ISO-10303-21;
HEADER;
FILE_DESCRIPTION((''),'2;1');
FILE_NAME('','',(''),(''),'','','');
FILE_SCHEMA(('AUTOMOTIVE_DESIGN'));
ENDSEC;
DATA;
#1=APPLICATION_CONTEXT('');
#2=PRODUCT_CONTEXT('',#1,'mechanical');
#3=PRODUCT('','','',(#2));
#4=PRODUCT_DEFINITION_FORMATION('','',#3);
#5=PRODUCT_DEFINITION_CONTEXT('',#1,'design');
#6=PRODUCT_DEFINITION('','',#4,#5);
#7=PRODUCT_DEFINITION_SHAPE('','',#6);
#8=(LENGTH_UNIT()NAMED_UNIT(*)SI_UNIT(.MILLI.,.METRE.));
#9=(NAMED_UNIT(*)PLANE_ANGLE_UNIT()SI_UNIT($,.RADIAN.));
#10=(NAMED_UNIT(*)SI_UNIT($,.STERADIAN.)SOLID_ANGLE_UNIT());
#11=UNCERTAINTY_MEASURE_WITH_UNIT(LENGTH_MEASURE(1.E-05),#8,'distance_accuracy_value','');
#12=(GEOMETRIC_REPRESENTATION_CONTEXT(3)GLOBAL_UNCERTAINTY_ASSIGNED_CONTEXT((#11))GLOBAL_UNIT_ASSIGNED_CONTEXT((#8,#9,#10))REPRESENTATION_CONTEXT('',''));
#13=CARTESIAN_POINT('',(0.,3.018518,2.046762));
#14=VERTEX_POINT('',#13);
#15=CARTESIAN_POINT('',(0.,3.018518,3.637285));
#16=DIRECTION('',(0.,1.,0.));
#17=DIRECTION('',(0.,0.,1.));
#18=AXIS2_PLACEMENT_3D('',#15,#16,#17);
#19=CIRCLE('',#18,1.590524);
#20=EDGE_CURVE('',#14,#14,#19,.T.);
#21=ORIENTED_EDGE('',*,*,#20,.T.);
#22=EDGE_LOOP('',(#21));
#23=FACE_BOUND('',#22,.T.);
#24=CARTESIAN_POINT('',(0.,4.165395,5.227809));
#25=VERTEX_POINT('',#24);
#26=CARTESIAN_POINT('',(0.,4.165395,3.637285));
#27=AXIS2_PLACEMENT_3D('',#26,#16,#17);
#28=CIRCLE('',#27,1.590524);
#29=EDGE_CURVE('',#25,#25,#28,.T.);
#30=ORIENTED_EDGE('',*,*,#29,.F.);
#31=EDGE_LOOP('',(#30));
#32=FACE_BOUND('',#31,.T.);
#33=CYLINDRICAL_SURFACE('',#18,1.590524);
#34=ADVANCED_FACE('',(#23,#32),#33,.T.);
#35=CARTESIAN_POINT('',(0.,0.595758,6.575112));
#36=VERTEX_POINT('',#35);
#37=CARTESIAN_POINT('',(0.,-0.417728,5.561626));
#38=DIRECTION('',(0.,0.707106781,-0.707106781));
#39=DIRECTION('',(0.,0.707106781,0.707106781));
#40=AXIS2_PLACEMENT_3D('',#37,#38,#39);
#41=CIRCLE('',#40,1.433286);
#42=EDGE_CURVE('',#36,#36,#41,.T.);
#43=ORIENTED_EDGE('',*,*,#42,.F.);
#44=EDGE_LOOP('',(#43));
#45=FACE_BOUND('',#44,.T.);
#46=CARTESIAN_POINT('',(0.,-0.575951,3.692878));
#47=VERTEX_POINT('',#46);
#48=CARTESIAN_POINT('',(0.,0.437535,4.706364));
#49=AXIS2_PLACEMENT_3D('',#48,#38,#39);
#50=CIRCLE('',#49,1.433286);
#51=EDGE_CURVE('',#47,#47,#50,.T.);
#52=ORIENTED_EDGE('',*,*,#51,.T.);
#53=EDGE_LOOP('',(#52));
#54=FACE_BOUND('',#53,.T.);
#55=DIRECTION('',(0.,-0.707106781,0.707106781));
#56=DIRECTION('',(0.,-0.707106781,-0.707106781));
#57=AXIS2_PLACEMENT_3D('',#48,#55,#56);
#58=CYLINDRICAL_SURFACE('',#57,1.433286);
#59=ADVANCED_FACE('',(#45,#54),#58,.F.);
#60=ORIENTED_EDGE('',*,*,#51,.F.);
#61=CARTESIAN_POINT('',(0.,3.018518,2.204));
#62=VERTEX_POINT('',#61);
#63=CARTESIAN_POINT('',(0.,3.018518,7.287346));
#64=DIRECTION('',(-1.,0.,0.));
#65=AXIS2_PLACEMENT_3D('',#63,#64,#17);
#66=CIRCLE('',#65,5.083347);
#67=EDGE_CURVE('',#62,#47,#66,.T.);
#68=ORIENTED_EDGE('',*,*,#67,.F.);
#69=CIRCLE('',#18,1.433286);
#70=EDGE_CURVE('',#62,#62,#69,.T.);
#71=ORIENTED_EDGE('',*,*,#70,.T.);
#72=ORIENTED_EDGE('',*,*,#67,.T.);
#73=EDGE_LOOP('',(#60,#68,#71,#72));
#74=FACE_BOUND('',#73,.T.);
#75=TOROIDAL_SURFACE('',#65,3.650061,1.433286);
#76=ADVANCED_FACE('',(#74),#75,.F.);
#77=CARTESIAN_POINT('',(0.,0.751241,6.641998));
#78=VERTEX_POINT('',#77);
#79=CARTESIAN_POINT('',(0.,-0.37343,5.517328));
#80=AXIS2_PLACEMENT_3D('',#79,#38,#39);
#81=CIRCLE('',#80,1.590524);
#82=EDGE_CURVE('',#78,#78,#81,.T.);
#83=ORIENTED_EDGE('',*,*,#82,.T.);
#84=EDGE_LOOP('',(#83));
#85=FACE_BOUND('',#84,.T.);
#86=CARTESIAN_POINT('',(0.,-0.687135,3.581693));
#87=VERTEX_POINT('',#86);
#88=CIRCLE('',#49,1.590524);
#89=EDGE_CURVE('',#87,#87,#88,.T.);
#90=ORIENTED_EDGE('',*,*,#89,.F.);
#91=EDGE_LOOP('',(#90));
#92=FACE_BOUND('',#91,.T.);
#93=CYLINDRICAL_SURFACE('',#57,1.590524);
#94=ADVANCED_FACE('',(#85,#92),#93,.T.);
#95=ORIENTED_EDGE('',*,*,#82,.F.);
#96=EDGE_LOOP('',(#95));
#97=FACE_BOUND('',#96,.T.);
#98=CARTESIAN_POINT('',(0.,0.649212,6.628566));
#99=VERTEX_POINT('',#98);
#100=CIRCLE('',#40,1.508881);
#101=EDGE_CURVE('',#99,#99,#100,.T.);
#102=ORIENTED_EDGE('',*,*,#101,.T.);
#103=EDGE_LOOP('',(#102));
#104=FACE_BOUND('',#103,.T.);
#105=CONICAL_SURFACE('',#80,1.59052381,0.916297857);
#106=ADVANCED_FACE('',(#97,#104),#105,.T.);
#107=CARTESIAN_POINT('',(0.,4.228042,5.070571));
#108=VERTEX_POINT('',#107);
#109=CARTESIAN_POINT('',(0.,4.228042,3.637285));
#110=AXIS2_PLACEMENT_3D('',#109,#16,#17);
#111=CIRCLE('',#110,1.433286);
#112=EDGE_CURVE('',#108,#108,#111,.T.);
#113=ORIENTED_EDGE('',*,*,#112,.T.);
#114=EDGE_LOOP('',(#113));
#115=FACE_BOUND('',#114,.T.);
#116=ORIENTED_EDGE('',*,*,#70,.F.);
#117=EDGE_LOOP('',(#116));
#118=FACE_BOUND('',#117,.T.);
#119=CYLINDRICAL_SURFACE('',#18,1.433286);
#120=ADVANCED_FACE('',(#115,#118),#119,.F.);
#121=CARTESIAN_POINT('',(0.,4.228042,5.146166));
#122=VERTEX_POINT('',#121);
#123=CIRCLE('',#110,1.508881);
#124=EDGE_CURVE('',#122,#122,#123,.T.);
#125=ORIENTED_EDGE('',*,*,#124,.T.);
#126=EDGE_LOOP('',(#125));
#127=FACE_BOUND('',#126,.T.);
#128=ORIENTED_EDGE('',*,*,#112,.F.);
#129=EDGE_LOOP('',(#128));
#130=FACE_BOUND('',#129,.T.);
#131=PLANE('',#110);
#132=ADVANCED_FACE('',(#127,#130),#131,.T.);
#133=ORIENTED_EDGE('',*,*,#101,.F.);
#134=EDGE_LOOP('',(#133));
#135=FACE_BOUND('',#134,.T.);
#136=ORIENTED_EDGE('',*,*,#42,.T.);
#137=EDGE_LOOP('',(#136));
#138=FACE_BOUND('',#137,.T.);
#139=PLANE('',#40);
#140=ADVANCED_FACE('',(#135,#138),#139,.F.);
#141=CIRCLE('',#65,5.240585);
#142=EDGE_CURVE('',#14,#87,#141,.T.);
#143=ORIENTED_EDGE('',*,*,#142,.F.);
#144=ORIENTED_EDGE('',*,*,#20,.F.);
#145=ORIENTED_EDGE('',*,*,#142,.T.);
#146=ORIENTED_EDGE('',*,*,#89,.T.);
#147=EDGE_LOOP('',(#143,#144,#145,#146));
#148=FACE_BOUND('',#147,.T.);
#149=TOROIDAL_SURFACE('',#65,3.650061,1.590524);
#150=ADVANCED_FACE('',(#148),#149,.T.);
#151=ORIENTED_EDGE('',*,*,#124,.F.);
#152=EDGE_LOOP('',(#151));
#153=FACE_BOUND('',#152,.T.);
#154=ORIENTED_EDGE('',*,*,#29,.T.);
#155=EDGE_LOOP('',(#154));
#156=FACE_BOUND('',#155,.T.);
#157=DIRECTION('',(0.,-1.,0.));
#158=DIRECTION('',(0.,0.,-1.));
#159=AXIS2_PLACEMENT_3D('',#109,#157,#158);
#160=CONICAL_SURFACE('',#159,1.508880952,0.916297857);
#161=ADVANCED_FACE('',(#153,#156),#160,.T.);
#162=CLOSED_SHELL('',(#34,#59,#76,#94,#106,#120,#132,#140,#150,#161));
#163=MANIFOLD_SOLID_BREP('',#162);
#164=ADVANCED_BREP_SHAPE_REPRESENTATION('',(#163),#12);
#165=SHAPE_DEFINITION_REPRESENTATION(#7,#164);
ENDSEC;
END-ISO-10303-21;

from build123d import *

# Parameters (mm, degrees)
SKETCH2_R    = 16.7005
SKETCH2_R_2  = 15.0495
SCALE1_SCALE = 0.095238095


with BuildPart() as part:
    # Sweep1: sweep along a path in Sketch1
    with BuildLine(Plane(origin=(0, 0, 0), x_dir=(0, 0, -1), z_dir=(1, 0, 0))) as sweep1_path:
        Line((-20.205576272, -20.205576272), (-11.225320151, -11.225320151))
        ThreePointArc((-11.225320151, -11.225320151), (-2.917365657, 1.208412421), (0, 15.875))
        Line((0, 15.875), (0, 28.575))
    # Sketch2 → Sweep1 (sweep)
    with BuildSketch(Plane(origin=(0, 28.575, 0), x_dir=(1, 0, 0), z_dir=(0, 1, 0))):
        Circle(SKETCH2_R)
        Circle(SKETCH2_R_2, mode=Mode.SUBTRACT)
    sweep(path=sweep1_path.line)

    # Sketch3 → Cut-Revolve1 (revolve, cut)
    with BuildSketch(Plane(origin=(0, 0, 0), x_dir=(0, 1, 0), z_dir=(-1, 0, 0))):
        Polygon((27.91720894, 16.7005), (28.575, 15.84325), (28.575, 16.7005), align=None)
    revolve(axis=Axis((0, 28.575, 0), (0, -1, 0)), mode=Mode.SUBTRACT)

    # Sketch3<7> → Cut-Revolve2 (revolve, cut)
    with BuildSketch(Plane(origin=(0, 0, 0), x_dir=(0, 1, 0), z_dir=(-1, 0, 0))):
        Polygon((-31.408445783, -9.002706761), (-32.014613072, -8.396539473), (-31.549484552, -7.931410954), align=None)
    revolve(axis=Axis((0, -11.225320151, 11.225320151), (0, -0.7071067811865535, 0.7071067811865417)), mode=Mode.SUBTRACT)


with BuildPart() as part_1:
    # Scale1: scaled about (0, 1.665203818, 4.020157643)
    add(part.part.scale(SCALE1_SCALE).moved(Location((0, 1.506612978, 3.637285487))))


solid = part_1.part
